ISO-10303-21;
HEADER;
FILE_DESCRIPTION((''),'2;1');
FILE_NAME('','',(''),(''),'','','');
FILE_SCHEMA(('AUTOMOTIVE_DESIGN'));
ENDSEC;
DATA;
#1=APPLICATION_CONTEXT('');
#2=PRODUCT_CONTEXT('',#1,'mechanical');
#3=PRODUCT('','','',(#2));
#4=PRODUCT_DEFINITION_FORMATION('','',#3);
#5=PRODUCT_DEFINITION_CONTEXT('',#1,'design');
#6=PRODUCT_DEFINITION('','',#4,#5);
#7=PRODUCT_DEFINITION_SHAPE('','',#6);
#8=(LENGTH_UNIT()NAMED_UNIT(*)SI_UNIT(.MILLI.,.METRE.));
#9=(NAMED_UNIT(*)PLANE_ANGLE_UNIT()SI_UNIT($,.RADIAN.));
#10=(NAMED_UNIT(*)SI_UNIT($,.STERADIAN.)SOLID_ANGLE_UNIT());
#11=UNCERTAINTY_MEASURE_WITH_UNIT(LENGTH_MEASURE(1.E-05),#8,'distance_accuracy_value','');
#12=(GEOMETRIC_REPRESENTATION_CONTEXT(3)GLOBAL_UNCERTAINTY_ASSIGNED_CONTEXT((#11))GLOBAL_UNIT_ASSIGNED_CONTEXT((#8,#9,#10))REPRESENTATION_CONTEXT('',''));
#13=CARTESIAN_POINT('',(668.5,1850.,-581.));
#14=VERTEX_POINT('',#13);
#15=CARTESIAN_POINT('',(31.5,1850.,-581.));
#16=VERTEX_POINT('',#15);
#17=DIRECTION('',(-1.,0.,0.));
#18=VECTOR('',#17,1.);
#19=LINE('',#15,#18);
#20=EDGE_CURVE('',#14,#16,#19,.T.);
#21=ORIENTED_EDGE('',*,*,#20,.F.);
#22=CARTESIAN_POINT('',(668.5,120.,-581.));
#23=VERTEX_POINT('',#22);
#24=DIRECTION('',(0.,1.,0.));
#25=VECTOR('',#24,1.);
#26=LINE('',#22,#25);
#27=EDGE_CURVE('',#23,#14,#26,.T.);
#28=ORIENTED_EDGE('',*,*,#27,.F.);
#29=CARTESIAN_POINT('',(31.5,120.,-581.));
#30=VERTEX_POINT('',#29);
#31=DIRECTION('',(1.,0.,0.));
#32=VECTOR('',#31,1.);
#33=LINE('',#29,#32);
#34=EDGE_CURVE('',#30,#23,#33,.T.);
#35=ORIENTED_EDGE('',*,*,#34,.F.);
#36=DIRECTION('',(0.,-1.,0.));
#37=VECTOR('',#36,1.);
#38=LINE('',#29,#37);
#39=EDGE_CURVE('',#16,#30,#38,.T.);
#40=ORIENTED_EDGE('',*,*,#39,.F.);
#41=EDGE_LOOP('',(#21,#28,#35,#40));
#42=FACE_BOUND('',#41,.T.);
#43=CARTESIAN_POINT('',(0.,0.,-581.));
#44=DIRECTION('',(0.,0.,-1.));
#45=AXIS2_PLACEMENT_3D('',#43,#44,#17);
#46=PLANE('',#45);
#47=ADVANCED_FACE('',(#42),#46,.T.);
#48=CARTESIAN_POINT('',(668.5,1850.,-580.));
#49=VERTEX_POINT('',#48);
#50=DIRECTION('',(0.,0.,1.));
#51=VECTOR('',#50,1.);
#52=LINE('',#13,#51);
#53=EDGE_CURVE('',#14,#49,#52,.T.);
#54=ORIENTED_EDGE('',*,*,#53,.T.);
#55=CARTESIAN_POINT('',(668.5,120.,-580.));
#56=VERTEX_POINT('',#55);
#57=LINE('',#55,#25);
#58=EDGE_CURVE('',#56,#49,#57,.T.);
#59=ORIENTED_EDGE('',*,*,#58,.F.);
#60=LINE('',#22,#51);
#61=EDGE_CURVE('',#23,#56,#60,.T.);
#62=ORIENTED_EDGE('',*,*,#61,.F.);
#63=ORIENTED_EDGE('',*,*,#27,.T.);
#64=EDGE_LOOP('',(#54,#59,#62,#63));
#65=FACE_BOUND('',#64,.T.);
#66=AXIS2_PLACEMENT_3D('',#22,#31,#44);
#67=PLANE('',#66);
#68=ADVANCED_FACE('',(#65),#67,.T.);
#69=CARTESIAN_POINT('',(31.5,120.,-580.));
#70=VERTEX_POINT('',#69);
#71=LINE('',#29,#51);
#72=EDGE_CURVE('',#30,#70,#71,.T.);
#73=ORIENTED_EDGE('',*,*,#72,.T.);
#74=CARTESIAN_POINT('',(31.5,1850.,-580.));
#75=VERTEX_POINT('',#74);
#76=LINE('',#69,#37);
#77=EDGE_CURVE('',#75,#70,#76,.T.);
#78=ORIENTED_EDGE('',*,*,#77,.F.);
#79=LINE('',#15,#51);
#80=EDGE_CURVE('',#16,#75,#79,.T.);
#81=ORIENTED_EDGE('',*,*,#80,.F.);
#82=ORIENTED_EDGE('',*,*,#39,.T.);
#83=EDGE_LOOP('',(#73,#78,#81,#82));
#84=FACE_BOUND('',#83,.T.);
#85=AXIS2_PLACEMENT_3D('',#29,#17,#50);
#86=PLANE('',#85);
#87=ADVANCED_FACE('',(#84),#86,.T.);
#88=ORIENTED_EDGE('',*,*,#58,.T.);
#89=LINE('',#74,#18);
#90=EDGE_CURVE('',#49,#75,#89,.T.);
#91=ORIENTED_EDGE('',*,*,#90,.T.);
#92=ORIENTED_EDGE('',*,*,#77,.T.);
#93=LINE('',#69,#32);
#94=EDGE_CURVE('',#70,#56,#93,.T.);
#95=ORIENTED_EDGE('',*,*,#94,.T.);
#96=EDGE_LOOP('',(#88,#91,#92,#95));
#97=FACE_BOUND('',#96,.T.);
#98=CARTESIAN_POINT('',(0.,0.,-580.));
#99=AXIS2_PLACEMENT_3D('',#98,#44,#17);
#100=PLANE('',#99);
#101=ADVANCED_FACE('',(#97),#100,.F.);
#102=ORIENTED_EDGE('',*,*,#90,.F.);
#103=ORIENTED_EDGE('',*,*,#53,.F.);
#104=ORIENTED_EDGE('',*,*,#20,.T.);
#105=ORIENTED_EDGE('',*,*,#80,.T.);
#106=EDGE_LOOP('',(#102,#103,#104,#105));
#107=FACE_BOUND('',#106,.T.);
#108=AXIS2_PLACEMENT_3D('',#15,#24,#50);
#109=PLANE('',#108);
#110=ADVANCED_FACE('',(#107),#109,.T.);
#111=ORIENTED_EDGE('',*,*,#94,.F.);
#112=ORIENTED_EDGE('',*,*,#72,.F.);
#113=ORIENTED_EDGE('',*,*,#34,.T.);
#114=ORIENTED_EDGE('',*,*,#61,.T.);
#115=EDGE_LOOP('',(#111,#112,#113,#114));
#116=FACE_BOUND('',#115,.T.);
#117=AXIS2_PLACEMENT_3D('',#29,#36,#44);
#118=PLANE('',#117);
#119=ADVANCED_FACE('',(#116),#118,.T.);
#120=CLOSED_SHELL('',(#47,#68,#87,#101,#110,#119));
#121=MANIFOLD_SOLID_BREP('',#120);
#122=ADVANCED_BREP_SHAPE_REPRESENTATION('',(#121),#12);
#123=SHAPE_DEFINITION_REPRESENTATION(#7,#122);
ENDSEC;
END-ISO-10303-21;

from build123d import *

# Parameters (mm, degrees)
OVEN_ARKA_KANAL_BOLME_SACI_1_START = -580
SKETCH1_W                          = 637
SKETCH1_H                          = 1730
OVEN_ARKA_KANAL_BOLME_SACI_1_DEPTH = 1


with BuildPart() as part:
    # Sketch1 → OVEN_arka_kanal_bolme_saci_1 (new body)
    with BuildSketch(Plane.XY.offset(OVEN_ARKA_KANAL_BOLME_SACI_1_START)):
        with Locations((350, 985)):
            Rectangle(SKETCH1_W, SKETCH1_H)
    extrude(amount=-OVEN_ARKA_KANAL_BOLME_SACI_1_DEPTH)


solid = part.part
